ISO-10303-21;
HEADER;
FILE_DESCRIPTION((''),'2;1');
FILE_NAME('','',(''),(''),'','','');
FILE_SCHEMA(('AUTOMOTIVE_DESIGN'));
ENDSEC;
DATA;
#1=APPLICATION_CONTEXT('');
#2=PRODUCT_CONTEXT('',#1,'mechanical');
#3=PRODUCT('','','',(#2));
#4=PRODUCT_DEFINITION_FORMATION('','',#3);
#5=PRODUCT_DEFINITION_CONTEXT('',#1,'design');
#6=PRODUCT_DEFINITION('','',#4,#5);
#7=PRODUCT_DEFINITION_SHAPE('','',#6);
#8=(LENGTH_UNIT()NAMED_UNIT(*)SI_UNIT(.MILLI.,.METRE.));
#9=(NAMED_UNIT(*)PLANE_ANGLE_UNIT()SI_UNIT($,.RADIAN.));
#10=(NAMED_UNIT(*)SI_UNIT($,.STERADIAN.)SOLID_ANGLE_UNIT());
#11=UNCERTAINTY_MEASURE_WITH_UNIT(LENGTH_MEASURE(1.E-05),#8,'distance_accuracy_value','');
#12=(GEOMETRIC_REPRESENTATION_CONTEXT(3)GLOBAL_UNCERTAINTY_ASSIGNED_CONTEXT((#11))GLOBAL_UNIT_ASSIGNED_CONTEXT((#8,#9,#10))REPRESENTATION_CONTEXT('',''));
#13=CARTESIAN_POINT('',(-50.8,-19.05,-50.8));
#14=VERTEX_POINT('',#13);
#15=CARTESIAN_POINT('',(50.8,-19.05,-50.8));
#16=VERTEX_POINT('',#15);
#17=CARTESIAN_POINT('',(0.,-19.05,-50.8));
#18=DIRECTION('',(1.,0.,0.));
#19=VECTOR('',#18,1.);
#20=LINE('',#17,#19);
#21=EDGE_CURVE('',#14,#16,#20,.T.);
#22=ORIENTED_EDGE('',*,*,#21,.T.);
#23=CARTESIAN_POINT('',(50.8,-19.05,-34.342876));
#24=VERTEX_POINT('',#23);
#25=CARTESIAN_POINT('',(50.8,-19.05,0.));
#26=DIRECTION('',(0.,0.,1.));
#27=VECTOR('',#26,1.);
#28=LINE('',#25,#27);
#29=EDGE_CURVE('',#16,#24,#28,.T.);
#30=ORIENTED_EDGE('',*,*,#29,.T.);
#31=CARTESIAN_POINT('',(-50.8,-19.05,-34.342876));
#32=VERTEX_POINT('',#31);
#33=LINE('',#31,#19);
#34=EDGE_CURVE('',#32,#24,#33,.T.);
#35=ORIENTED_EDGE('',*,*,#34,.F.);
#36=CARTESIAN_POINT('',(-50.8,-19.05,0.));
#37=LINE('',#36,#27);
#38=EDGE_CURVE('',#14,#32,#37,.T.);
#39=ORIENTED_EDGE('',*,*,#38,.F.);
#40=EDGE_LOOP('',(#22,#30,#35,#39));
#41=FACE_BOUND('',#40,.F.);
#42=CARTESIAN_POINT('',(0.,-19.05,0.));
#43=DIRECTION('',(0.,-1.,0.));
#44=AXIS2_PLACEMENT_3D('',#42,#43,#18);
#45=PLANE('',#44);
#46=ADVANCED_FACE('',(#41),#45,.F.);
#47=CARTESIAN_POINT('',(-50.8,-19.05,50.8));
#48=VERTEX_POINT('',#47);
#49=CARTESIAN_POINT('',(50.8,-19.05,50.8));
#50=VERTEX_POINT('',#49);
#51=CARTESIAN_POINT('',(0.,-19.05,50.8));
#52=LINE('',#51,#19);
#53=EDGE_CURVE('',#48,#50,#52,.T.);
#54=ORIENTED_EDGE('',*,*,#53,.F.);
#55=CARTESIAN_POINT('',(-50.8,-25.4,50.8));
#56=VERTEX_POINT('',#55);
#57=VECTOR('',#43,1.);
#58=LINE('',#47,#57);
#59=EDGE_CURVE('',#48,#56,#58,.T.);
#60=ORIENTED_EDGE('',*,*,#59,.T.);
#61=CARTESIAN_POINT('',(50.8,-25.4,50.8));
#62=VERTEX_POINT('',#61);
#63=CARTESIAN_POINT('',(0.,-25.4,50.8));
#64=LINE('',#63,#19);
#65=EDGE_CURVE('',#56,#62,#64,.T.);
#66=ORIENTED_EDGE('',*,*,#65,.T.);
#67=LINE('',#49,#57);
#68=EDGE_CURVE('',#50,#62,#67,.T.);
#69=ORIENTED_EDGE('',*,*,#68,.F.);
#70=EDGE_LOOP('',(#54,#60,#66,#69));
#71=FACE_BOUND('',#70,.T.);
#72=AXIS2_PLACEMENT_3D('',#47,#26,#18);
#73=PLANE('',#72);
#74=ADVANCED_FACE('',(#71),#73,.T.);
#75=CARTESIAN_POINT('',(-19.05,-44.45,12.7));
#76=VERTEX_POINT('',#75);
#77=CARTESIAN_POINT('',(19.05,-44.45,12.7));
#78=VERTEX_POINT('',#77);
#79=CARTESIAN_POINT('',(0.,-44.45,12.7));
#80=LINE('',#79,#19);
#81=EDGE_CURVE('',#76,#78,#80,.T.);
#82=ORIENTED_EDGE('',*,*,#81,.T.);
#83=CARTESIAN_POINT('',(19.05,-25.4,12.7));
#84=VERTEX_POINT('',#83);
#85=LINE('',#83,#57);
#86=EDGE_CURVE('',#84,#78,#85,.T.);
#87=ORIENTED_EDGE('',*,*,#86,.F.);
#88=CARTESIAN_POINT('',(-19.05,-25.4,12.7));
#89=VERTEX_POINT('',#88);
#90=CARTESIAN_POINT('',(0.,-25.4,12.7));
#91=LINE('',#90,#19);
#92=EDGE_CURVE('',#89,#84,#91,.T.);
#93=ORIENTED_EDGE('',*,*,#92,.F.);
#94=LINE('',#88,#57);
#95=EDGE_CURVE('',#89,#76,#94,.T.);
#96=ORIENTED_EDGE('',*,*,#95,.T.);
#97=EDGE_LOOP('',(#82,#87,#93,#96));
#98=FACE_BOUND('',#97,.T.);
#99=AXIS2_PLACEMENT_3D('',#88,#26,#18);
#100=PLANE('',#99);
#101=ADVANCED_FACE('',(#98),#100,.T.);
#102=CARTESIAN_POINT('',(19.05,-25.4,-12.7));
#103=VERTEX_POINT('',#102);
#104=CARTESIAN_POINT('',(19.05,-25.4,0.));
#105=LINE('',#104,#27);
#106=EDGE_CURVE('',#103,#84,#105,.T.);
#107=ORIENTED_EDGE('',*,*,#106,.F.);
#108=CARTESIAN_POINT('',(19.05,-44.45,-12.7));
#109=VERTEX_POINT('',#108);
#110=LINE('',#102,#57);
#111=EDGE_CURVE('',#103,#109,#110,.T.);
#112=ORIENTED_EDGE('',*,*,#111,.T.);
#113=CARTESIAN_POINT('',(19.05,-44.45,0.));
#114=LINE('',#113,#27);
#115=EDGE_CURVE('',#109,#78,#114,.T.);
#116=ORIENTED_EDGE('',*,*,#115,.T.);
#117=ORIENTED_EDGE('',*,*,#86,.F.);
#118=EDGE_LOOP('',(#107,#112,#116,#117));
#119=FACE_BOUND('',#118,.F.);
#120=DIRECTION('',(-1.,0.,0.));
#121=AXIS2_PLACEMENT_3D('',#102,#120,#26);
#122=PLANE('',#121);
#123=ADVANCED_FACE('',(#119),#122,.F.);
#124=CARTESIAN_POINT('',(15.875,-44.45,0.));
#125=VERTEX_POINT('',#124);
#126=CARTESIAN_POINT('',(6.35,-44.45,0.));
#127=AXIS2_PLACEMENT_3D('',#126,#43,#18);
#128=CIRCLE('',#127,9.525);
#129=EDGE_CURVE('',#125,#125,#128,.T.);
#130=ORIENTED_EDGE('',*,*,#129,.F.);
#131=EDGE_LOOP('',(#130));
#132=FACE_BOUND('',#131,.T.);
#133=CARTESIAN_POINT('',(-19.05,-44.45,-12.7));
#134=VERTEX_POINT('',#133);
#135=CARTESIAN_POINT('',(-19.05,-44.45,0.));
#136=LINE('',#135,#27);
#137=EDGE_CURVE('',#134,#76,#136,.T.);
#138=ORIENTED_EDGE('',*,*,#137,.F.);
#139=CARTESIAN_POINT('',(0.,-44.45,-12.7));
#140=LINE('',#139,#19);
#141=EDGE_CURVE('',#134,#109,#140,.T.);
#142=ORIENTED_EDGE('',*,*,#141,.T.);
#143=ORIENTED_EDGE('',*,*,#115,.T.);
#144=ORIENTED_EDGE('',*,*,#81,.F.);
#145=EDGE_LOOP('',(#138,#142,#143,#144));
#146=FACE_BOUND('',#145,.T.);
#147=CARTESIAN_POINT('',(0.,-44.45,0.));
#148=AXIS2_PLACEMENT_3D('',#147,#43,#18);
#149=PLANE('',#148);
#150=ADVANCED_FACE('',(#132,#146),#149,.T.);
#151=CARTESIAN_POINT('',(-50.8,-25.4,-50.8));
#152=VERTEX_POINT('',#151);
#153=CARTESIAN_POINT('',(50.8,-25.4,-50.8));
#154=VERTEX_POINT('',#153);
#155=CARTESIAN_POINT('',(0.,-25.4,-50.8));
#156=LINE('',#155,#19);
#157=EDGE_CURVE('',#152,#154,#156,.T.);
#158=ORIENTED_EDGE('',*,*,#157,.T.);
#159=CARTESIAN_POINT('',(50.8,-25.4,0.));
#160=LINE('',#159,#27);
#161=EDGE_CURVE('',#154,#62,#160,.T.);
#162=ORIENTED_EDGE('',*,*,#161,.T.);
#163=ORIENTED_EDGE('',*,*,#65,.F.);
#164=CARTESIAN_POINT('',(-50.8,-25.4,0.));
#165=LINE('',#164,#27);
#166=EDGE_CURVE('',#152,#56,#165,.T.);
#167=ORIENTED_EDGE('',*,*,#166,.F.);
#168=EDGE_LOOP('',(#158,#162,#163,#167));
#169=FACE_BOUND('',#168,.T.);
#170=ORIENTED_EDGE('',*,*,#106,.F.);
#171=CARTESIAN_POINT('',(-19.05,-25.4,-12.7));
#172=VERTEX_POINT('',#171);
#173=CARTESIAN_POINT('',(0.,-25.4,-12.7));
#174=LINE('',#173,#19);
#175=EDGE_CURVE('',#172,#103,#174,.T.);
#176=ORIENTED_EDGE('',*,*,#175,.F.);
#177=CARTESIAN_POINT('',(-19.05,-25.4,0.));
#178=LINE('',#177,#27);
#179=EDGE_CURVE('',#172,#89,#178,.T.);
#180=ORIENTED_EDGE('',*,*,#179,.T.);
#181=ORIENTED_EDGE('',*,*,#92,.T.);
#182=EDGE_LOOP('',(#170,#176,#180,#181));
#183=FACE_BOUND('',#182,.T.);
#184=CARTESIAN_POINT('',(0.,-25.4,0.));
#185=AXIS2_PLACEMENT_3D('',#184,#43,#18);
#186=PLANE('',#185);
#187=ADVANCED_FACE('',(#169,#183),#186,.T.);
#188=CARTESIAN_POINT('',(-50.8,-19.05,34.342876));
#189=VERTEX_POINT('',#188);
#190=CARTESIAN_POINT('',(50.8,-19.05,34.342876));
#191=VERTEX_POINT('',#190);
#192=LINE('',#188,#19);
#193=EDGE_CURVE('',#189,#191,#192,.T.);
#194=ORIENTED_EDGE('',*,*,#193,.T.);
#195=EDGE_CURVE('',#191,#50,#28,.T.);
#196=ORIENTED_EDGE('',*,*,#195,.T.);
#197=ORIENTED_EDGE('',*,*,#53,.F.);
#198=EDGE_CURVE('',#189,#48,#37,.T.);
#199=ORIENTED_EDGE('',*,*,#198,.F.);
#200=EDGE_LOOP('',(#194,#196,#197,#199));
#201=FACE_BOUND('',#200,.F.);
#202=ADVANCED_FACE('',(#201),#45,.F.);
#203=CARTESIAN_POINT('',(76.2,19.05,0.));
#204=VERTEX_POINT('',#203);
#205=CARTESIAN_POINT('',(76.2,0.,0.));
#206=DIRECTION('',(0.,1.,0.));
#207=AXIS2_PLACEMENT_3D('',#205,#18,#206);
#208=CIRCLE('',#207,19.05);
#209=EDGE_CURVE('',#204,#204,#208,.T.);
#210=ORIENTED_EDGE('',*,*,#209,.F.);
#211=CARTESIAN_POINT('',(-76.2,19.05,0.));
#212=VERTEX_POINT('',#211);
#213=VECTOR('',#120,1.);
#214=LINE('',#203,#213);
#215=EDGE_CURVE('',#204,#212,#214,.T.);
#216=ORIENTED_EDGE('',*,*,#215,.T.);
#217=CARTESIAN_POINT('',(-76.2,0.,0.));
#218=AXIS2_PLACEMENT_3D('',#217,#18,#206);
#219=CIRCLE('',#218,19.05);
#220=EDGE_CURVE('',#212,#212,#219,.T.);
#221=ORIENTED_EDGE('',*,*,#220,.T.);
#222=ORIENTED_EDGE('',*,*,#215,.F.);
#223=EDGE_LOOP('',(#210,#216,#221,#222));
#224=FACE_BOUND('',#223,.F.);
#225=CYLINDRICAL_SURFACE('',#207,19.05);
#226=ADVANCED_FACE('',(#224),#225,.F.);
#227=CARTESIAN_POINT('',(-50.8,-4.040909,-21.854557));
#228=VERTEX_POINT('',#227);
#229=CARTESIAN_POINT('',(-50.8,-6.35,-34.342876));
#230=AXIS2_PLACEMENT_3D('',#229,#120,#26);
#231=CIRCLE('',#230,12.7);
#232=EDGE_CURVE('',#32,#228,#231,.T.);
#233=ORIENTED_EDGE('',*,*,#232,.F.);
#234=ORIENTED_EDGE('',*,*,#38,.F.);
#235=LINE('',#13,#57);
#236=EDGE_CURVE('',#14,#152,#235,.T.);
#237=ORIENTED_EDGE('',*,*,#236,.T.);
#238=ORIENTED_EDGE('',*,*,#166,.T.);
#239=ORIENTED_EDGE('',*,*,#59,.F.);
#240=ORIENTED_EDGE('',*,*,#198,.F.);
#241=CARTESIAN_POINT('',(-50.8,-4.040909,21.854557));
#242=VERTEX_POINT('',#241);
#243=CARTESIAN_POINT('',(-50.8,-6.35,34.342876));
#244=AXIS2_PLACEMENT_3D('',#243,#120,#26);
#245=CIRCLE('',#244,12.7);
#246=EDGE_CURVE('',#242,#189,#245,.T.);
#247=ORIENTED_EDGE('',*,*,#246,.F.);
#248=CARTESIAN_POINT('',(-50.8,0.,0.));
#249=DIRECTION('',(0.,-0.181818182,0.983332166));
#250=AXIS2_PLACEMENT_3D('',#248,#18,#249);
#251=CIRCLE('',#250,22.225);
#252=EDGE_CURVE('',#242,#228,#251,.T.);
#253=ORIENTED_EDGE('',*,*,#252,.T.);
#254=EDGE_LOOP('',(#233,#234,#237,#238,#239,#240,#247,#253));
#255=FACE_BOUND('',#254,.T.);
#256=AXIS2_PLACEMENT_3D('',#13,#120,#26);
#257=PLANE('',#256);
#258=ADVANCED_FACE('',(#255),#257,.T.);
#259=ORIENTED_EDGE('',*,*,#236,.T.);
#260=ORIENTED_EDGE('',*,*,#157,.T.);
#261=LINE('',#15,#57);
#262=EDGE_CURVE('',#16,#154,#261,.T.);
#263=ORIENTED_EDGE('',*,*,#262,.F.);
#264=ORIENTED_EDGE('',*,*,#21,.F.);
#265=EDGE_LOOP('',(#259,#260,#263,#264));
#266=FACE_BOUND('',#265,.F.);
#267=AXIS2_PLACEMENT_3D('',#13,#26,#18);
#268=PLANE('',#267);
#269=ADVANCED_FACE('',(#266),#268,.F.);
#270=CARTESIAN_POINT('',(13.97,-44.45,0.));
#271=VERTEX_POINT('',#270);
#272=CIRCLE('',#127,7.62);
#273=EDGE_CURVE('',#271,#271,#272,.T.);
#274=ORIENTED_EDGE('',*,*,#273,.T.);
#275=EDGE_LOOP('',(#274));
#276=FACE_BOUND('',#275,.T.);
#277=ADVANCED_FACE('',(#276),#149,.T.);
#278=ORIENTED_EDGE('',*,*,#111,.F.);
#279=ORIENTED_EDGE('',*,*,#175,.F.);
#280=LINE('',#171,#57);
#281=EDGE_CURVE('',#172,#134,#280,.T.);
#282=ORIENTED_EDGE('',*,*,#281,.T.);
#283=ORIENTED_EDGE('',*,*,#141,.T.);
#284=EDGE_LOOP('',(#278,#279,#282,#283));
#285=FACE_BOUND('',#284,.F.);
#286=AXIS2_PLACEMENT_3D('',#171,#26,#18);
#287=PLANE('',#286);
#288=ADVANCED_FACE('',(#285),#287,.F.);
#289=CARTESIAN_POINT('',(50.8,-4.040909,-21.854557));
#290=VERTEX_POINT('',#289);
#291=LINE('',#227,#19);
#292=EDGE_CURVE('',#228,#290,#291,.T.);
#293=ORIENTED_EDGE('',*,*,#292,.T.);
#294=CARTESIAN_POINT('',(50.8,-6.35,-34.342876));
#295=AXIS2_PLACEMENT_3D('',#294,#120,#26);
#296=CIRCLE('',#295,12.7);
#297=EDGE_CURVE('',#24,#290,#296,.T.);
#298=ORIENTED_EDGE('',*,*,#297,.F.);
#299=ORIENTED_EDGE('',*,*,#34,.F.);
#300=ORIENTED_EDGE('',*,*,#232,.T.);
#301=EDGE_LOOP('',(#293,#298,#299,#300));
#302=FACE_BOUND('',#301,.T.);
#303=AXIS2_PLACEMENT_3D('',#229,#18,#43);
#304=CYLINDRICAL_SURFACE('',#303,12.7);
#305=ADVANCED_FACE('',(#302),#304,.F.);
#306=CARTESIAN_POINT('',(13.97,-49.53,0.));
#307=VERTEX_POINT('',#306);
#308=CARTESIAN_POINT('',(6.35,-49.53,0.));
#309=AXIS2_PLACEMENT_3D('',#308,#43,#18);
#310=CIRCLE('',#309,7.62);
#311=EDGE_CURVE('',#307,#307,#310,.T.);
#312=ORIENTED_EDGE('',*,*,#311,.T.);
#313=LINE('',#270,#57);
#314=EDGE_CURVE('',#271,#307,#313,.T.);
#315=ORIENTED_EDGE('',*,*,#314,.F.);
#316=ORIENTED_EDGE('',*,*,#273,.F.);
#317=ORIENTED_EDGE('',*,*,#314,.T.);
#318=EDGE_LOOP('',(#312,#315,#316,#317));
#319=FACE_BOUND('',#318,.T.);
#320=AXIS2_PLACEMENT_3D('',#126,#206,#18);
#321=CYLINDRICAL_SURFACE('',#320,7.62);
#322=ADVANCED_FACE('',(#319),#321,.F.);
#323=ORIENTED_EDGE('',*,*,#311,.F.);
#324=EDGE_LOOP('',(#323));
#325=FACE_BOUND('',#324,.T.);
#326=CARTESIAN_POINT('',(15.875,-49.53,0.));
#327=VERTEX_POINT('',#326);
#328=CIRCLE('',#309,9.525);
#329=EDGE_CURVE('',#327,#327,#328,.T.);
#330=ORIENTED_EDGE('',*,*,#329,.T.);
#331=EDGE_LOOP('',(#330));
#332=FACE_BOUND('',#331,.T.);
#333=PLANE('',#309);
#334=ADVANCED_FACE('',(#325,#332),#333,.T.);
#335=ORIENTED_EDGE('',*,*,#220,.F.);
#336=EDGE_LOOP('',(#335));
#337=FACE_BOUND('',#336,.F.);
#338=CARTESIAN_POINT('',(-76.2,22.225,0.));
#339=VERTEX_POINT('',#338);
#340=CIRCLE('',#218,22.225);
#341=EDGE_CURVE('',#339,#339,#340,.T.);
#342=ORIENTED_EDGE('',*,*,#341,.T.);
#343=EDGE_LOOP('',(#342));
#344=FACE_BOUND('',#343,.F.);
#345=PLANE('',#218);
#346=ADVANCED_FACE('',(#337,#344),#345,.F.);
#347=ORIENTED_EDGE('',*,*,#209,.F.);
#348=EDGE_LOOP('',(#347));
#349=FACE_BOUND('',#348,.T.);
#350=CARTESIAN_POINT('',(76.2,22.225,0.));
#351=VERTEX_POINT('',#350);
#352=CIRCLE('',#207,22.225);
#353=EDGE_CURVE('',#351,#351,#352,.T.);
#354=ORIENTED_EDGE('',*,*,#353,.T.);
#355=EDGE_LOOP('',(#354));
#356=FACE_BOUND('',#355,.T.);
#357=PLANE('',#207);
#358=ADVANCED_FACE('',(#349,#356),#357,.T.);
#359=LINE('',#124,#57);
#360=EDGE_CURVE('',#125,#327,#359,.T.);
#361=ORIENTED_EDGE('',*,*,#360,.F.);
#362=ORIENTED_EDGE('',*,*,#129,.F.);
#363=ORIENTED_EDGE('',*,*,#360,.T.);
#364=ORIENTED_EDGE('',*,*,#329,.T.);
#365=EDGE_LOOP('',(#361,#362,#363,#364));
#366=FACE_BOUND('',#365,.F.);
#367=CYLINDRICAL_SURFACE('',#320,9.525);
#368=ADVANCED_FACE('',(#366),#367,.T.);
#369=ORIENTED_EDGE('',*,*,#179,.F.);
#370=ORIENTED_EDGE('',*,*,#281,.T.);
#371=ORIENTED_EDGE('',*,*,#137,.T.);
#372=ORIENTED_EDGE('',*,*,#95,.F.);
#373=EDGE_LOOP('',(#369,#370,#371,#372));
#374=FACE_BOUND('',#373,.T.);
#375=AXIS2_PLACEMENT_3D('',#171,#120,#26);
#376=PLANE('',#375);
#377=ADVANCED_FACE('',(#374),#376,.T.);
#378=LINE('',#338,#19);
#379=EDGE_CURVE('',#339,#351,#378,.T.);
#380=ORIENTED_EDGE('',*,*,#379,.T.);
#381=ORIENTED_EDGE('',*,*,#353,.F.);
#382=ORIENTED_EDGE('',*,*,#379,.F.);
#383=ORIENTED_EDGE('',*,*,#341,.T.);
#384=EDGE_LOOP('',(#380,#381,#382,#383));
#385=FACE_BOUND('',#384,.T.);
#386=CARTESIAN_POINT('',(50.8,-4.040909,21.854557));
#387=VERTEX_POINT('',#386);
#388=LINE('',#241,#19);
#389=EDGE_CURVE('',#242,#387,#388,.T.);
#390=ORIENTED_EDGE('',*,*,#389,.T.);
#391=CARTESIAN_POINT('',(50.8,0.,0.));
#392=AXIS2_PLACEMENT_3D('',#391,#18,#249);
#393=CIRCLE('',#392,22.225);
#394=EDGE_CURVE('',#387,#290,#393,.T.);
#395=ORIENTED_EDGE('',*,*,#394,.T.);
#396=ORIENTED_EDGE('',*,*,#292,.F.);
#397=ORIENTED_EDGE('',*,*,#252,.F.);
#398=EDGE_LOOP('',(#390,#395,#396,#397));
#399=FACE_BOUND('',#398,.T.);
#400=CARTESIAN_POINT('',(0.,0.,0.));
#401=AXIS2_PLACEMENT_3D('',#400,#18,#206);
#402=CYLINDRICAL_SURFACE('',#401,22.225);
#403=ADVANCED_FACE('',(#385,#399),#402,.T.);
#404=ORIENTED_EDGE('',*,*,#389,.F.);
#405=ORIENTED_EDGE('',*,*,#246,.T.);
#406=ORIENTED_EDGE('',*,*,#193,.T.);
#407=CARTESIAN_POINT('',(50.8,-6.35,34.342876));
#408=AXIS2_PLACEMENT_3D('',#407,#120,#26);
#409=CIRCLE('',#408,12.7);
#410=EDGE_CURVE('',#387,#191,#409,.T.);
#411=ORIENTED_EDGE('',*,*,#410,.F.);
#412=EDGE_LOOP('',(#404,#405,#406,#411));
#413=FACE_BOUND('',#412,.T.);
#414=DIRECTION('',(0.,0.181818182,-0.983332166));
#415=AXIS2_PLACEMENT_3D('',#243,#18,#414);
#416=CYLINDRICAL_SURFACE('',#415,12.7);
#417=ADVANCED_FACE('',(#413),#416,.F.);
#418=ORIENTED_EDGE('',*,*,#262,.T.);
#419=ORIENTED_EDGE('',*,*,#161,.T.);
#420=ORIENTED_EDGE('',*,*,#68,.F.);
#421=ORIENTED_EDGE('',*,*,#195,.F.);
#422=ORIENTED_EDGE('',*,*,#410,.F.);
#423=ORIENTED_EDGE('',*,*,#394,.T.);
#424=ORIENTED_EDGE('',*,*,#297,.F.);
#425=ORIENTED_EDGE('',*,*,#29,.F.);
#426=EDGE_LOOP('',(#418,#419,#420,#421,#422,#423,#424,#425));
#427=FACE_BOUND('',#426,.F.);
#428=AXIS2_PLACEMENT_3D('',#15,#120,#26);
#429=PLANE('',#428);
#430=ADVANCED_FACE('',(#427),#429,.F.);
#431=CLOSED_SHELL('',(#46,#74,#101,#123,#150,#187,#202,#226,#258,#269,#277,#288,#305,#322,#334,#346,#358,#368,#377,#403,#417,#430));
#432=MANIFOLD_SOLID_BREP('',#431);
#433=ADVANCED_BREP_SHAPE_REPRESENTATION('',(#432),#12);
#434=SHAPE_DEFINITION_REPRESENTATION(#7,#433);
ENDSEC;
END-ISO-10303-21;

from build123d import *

# Parameters (mm, degrees)
F0_R          = 22.225
F1_DEPTH      = 76.2
F1_DEPTH_BACK = 76.2
F3_START      = 19.05
F2_W          = 101.6
F2_H          = 101.6
F3_DEPTH      = 6.35
F4_R          = 12.7
F5_W          = 38.1
F5_H          = 25.4
F6_DEPTH      = 19.05
F7_R          = 9.525
F7_R_2        = 7.62
F8_DEPTH      = 5.08
F9_R          = 19.05
F10_DEPTH     = 152.4


with BuildPart() as f1:
    # F0 (on Right) → F1 (new body, two sides)
    with BuildSketch(Plane.YZ) as f1_sk:
        Circle(F0_R)
    extrude(amount=F1_DEPTH)
    extrude(f1_sk.sketch, amount=-F1_DEPTH_BACK)

    # F2 (on Front) → F3 (join)
    with BuildSketch(Plane.XZ.offset(F3_START)):
        Rectangle(F2_W, F2_H)
    extrude(amount=F3_DEPTH)

    # F4
    f4_edges = [f1.edges().sort_by_distance(p)[0] for p in [
        (0, -19.05, 11.447625),
        (0, -19.05, -11.447625),
    ]]
    fillet(f4_edges, radius=F4_R)

    # F5 (on face) → F6 (join)
    with BuildSketch(Plane.XZ.offset(25.4)):
        Rectangle(F5_W, F5_H)
    extrude(amount=F6_DEPTH)

    # F7 (on face) → F8 (join)
    with BuildSketch(Plane.XZ.offset(44.45)):
        with Locations((6.35, 0)):
            Circle(F7_R)
        with Locations((6.35, 0)):
            Circle(F7_R_2, mode=Mode.SUBTRACT)
    extrude(amount=F8_DEPTH)

    # F9 (on face) → F10 (cut)
    with BuildSketch(Plane.YZ.offset(76.2)):
        Circle(F9_R)
    extrude(amount=-F10_DEPTH, mode=Mode.SUBTRACT)


solid = f1.part
